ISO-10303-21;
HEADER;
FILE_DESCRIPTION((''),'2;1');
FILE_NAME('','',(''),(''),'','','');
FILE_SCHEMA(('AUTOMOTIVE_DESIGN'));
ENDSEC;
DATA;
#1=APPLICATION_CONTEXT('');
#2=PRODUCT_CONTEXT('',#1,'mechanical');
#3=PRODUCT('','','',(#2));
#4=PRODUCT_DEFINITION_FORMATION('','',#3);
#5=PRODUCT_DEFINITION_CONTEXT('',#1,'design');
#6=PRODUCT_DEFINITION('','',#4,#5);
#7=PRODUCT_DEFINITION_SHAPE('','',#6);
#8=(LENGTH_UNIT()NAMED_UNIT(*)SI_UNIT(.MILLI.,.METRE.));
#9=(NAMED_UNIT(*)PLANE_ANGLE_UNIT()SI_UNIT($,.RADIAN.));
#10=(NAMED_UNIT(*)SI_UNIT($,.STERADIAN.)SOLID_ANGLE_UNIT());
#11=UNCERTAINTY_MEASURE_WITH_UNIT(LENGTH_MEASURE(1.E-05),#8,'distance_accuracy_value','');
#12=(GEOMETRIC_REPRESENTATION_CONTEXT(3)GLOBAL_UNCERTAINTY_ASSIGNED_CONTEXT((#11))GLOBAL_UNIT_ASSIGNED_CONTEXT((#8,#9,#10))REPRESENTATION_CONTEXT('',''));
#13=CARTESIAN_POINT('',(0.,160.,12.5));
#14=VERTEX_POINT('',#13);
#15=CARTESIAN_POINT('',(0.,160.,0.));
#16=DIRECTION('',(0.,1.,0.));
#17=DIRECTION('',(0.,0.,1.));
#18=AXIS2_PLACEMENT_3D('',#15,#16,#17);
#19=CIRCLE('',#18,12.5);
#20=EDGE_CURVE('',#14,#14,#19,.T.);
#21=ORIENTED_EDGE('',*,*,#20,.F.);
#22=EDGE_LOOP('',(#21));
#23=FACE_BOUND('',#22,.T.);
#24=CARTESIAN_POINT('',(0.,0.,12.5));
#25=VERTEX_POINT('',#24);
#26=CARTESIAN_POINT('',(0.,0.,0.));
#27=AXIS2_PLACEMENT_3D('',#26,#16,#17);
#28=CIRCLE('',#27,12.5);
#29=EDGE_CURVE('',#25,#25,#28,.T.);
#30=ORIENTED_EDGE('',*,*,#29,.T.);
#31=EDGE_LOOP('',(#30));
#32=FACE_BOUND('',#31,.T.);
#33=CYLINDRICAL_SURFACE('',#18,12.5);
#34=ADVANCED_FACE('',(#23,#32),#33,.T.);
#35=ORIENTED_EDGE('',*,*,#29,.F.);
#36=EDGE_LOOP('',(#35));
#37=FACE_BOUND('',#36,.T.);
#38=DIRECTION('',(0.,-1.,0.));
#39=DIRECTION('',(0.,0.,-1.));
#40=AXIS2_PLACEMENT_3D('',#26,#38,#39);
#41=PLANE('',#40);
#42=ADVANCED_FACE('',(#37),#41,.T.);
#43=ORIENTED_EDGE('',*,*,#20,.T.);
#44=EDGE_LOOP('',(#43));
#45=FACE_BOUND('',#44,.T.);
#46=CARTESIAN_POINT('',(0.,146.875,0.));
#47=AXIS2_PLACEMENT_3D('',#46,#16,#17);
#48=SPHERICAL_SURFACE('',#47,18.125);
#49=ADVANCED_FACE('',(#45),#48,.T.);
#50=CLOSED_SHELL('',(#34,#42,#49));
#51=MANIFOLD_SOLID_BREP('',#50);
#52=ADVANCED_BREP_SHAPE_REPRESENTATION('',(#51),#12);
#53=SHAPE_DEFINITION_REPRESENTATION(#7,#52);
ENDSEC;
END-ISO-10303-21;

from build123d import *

# Parameters (mm, degrees)
DOME1_FACE_RADIUS = 12.5
DOME1_HEIGHT      = 5


with BuildPart() as part:
    # Sketch1 → Revolve1 (revolve)
    with BuildSketch(Plane.XY, mode=Mode.PRIVATE) as revolve1_sk:
        Polygon((0, 0), (-12.5, 0), (-12.5, 30), (-12.5, 100), (-12.5, 160), (0, 160), align=None)
    revolve(revolve1_sk.sketch.rotate(Axis((0, 160, 0), (0, -1, 0)), 270), axis=Axis((0, 160, 0), (0, -1, 0)))

    # Dome1: a dome of height H over a round flat face of radius A is a cap of a sphere of radius (A * A + H * H) / (2 * H)
    dome1_r = (DOME1_FACE_RADIUS * DOME1_FACE_RADIUS + DOME1_HEIGHT * DOME1_HEIGHT) / (2 * DOME1_HEIGHT)
    dome1_base = Plane((0, 160, 0), z_dir=(0, 1, 0))
    with Locations(dome1_base.offset(DOME1_HEIGHT - dome1_r)):
        dome1_ball = Sphere(dome1_r, mode=Mode.PRIVATE)
    add(split(dome1_ball, bisect_by=dome1_base, keep=Keep.TOP, mode=Mode.PRIVATE))


solid = part.part
